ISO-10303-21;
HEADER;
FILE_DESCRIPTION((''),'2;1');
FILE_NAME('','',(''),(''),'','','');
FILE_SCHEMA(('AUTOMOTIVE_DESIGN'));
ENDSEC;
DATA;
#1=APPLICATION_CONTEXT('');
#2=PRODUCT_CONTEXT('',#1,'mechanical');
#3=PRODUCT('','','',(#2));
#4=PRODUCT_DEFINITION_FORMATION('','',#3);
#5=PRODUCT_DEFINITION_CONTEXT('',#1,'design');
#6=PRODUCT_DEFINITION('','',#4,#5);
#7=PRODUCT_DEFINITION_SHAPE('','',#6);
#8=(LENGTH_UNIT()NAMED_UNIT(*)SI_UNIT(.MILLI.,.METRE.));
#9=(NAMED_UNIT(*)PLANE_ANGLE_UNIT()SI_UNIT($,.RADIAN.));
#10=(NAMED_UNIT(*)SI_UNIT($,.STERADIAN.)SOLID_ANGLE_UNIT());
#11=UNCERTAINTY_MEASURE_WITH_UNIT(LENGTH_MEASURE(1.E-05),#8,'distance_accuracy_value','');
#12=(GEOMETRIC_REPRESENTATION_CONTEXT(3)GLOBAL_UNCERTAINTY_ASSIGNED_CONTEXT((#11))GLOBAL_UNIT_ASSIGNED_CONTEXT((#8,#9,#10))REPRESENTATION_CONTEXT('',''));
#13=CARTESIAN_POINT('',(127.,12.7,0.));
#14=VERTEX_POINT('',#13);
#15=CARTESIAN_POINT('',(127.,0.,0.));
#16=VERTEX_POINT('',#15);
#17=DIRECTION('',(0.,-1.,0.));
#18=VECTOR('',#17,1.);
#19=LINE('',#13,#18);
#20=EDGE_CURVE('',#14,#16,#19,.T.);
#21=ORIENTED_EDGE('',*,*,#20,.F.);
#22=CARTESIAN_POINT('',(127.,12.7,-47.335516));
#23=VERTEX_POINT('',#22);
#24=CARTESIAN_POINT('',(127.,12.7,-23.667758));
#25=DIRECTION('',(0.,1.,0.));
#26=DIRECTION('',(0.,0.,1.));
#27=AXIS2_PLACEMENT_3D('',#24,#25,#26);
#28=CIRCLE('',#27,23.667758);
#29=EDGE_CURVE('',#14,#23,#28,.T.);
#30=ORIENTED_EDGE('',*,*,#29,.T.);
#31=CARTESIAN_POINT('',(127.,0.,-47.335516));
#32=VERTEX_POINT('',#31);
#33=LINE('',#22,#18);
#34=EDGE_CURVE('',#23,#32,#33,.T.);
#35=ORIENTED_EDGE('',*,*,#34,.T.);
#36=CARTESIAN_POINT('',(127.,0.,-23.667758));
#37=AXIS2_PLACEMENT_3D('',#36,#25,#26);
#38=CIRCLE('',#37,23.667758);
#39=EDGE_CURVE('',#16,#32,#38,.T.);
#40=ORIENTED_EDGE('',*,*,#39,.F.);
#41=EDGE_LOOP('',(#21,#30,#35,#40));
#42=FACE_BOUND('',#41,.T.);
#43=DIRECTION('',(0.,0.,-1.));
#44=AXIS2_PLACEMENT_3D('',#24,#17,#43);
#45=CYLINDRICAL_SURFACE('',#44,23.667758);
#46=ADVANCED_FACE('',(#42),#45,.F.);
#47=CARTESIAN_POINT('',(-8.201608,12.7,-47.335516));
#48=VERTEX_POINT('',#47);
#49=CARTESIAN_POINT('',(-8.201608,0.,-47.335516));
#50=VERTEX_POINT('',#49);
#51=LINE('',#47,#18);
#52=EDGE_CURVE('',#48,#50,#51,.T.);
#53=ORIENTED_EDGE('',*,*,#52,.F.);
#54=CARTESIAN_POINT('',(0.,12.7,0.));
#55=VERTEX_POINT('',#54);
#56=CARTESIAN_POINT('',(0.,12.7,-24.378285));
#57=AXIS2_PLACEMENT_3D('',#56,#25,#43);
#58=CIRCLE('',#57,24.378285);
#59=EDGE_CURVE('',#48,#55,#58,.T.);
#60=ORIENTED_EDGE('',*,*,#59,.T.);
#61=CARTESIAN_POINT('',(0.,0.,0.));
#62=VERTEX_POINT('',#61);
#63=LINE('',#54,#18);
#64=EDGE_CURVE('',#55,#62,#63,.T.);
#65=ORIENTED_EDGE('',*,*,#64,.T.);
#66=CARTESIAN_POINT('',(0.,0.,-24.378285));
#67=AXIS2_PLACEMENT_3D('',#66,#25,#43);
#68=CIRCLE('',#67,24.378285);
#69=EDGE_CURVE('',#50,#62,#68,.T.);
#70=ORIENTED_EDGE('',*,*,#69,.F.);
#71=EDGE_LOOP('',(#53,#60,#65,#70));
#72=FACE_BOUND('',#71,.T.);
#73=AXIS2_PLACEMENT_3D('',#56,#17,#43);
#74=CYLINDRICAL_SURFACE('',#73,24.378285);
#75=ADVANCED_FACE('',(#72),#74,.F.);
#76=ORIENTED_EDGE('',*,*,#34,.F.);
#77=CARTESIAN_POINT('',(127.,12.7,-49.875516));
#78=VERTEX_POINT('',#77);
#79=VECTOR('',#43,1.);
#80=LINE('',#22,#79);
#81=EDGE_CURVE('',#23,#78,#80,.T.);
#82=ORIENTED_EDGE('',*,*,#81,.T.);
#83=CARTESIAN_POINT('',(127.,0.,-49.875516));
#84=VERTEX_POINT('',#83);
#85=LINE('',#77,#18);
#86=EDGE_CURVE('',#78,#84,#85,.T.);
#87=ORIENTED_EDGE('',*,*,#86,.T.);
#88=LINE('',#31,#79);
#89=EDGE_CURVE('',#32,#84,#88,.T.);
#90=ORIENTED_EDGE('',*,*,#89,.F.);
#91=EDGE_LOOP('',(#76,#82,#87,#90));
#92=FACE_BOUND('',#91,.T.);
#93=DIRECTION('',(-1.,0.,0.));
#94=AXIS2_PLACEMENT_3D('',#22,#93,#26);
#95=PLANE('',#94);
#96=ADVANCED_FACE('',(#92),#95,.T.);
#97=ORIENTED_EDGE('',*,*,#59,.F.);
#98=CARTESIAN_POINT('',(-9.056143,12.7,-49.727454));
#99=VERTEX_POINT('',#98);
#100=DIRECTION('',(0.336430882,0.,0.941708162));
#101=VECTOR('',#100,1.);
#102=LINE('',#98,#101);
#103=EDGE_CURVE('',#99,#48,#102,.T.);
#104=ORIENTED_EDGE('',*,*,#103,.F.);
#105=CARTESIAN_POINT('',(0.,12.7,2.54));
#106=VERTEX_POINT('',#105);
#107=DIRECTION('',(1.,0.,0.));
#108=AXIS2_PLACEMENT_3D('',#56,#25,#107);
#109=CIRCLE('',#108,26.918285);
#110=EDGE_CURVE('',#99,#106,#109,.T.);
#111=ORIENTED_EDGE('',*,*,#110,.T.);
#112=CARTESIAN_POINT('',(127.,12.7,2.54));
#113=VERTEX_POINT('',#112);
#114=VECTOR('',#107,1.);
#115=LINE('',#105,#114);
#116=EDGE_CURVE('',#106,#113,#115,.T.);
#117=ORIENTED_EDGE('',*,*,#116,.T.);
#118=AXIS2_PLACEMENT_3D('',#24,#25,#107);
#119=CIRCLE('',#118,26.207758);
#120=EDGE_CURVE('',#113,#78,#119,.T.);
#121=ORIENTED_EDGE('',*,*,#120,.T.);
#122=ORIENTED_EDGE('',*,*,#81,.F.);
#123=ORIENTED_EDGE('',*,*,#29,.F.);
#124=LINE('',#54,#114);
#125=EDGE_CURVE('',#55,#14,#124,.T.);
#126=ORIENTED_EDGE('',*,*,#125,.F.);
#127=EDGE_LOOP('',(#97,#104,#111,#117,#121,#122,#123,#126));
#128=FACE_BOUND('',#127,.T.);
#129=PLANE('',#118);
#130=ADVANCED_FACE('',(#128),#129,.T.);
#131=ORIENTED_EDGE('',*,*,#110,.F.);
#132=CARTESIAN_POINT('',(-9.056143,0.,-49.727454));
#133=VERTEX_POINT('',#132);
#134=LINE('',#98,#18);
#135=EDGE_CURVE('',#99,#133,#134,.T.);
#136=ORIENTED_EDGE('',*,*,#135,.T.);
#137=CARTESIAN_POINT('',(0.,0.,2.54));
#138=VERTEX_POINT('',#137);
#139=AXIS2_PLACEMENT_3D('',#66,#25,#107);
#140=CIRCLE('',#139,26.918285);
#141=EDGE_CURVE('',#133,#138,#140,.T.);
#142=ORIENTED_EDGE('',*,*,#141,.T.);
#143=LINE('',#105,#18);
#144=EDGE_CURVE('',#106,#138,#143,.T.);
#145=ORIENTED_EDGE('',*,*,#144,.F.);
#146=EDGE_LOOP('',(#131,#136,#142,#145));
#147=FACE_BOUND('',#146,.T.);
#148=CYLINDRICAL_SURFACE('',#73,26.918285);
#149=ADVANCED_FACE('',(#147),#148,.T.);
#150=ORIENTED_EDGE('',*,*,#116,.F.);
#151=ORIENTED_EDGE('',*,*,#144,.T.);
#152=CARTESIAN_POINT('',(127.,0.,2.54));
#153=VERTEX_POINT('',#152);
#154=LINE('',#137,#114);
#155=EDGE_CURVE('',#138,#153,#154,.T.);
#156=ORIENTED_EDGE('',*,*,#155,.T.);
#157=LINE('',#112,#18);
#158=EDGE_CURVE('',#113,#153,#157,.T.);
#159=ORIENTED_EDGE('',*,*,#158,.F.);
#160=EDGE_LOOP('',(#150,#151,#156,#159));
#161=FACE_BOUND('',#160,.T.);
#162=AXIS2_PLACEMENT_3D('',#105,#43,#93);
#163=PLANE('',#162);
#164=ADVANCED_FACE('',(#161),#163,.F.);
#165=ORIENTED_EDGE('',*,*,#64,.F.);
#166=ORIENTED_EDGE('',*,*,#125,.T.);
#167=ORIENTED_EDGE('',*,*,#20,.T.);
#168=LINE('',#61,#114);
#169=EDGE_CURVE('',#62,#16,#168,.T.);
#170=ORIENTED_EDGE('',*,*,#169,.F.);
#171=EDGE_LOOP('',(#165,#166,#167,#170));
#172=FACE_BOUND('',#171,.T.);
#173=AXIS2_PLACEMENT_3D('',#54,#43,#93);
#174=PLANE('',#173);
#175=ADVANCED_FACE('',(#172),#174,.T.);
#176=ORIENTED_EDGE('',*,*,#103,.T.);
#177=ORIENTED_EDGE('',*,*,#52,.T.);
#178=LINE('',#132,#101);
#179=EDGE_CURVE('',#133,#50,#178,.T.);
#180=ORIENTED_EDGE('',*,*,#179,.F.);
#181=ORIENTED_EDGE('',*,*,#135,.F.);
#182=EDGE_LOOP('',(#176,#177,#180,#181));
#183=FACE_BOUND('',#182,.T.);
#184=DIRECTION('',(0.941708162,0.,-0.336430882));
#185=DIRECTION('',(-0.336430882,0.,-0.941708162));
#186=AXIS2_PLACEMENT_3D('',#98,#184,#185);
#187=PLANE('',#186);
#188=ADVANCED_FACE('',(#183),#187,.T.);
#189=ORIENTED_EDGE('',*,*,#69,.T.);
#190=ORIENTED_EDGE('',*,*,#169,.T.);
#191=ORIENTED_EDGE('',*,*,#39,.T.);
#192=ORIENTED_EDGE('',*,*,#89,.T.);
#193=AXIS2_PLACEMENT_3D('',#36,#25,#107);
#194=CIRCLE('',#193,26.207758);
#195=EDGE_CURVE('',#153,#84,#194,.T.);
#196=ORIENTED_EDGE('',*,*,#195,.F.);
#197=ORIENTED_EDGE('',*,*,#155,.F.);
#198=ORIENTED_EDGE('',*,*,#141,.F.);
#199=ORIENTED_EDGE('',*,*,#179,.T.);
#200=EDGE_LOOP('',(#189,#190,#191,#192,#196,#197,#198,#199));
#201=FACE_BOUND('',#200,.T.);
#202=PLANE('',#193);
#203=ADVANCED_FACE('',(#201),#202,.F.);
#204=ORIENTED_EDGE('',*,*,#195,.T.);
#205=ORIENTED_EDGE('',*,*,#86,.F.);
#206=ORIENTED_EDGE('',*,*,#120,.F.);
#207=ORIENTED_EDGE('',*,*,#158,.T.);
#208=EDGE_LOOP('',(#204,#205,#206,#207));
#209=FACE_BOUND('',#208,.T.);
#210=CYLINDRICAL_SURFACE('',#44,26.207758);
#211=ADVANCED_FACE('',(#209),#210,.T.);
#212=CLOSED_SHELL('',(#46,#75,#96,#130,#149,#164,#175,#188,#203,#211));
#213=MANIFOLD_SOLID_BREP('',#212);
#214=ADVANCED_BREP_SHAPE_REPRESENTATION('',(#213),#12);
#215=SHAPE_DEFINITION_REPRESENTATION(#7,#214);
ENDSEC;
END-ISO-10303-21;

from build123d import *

# Parameters (mm, degrees)
EXTRUDE_THIN1_DEPTH = 12.7


with BuildPart() as part:
    # Sketch1 → Extrude-Thin1 (new body)
    with BuildSketch(Plane(origin=(0, 0, 0), x_dir=(1, 0, 0), z_dir=(0, 1, 0))):
        with BuildLine():
            ThreePointArc((-8.201608063, 47.335515762), (-24.020394602, 20.216381636), (0, 0))
            Line((0, 0), (127, 0))
            ThreePointArc((127, 0), (150.667757881, 23.667757881), (127, 47.335515762))
            Line((127, 47.335515762), (127, 49.875515762))
            ThreePointArc((127, 49.875515762), (153.207757881, 23.667757881), (127, -2.54))
            Line((127, -2.54), (0, -2.54))
            ThreePointArc((0, -2.54), (-26.52310557, 19.782748367), (-9.056142503, 49.727454493))
            Line((-9.056142503, 49.727454493), (-8.201608063, 47.335515762))
        make_face()
    extrude(amount=EXTRUDE_THIN1_DEPTH)


solid = part.part
